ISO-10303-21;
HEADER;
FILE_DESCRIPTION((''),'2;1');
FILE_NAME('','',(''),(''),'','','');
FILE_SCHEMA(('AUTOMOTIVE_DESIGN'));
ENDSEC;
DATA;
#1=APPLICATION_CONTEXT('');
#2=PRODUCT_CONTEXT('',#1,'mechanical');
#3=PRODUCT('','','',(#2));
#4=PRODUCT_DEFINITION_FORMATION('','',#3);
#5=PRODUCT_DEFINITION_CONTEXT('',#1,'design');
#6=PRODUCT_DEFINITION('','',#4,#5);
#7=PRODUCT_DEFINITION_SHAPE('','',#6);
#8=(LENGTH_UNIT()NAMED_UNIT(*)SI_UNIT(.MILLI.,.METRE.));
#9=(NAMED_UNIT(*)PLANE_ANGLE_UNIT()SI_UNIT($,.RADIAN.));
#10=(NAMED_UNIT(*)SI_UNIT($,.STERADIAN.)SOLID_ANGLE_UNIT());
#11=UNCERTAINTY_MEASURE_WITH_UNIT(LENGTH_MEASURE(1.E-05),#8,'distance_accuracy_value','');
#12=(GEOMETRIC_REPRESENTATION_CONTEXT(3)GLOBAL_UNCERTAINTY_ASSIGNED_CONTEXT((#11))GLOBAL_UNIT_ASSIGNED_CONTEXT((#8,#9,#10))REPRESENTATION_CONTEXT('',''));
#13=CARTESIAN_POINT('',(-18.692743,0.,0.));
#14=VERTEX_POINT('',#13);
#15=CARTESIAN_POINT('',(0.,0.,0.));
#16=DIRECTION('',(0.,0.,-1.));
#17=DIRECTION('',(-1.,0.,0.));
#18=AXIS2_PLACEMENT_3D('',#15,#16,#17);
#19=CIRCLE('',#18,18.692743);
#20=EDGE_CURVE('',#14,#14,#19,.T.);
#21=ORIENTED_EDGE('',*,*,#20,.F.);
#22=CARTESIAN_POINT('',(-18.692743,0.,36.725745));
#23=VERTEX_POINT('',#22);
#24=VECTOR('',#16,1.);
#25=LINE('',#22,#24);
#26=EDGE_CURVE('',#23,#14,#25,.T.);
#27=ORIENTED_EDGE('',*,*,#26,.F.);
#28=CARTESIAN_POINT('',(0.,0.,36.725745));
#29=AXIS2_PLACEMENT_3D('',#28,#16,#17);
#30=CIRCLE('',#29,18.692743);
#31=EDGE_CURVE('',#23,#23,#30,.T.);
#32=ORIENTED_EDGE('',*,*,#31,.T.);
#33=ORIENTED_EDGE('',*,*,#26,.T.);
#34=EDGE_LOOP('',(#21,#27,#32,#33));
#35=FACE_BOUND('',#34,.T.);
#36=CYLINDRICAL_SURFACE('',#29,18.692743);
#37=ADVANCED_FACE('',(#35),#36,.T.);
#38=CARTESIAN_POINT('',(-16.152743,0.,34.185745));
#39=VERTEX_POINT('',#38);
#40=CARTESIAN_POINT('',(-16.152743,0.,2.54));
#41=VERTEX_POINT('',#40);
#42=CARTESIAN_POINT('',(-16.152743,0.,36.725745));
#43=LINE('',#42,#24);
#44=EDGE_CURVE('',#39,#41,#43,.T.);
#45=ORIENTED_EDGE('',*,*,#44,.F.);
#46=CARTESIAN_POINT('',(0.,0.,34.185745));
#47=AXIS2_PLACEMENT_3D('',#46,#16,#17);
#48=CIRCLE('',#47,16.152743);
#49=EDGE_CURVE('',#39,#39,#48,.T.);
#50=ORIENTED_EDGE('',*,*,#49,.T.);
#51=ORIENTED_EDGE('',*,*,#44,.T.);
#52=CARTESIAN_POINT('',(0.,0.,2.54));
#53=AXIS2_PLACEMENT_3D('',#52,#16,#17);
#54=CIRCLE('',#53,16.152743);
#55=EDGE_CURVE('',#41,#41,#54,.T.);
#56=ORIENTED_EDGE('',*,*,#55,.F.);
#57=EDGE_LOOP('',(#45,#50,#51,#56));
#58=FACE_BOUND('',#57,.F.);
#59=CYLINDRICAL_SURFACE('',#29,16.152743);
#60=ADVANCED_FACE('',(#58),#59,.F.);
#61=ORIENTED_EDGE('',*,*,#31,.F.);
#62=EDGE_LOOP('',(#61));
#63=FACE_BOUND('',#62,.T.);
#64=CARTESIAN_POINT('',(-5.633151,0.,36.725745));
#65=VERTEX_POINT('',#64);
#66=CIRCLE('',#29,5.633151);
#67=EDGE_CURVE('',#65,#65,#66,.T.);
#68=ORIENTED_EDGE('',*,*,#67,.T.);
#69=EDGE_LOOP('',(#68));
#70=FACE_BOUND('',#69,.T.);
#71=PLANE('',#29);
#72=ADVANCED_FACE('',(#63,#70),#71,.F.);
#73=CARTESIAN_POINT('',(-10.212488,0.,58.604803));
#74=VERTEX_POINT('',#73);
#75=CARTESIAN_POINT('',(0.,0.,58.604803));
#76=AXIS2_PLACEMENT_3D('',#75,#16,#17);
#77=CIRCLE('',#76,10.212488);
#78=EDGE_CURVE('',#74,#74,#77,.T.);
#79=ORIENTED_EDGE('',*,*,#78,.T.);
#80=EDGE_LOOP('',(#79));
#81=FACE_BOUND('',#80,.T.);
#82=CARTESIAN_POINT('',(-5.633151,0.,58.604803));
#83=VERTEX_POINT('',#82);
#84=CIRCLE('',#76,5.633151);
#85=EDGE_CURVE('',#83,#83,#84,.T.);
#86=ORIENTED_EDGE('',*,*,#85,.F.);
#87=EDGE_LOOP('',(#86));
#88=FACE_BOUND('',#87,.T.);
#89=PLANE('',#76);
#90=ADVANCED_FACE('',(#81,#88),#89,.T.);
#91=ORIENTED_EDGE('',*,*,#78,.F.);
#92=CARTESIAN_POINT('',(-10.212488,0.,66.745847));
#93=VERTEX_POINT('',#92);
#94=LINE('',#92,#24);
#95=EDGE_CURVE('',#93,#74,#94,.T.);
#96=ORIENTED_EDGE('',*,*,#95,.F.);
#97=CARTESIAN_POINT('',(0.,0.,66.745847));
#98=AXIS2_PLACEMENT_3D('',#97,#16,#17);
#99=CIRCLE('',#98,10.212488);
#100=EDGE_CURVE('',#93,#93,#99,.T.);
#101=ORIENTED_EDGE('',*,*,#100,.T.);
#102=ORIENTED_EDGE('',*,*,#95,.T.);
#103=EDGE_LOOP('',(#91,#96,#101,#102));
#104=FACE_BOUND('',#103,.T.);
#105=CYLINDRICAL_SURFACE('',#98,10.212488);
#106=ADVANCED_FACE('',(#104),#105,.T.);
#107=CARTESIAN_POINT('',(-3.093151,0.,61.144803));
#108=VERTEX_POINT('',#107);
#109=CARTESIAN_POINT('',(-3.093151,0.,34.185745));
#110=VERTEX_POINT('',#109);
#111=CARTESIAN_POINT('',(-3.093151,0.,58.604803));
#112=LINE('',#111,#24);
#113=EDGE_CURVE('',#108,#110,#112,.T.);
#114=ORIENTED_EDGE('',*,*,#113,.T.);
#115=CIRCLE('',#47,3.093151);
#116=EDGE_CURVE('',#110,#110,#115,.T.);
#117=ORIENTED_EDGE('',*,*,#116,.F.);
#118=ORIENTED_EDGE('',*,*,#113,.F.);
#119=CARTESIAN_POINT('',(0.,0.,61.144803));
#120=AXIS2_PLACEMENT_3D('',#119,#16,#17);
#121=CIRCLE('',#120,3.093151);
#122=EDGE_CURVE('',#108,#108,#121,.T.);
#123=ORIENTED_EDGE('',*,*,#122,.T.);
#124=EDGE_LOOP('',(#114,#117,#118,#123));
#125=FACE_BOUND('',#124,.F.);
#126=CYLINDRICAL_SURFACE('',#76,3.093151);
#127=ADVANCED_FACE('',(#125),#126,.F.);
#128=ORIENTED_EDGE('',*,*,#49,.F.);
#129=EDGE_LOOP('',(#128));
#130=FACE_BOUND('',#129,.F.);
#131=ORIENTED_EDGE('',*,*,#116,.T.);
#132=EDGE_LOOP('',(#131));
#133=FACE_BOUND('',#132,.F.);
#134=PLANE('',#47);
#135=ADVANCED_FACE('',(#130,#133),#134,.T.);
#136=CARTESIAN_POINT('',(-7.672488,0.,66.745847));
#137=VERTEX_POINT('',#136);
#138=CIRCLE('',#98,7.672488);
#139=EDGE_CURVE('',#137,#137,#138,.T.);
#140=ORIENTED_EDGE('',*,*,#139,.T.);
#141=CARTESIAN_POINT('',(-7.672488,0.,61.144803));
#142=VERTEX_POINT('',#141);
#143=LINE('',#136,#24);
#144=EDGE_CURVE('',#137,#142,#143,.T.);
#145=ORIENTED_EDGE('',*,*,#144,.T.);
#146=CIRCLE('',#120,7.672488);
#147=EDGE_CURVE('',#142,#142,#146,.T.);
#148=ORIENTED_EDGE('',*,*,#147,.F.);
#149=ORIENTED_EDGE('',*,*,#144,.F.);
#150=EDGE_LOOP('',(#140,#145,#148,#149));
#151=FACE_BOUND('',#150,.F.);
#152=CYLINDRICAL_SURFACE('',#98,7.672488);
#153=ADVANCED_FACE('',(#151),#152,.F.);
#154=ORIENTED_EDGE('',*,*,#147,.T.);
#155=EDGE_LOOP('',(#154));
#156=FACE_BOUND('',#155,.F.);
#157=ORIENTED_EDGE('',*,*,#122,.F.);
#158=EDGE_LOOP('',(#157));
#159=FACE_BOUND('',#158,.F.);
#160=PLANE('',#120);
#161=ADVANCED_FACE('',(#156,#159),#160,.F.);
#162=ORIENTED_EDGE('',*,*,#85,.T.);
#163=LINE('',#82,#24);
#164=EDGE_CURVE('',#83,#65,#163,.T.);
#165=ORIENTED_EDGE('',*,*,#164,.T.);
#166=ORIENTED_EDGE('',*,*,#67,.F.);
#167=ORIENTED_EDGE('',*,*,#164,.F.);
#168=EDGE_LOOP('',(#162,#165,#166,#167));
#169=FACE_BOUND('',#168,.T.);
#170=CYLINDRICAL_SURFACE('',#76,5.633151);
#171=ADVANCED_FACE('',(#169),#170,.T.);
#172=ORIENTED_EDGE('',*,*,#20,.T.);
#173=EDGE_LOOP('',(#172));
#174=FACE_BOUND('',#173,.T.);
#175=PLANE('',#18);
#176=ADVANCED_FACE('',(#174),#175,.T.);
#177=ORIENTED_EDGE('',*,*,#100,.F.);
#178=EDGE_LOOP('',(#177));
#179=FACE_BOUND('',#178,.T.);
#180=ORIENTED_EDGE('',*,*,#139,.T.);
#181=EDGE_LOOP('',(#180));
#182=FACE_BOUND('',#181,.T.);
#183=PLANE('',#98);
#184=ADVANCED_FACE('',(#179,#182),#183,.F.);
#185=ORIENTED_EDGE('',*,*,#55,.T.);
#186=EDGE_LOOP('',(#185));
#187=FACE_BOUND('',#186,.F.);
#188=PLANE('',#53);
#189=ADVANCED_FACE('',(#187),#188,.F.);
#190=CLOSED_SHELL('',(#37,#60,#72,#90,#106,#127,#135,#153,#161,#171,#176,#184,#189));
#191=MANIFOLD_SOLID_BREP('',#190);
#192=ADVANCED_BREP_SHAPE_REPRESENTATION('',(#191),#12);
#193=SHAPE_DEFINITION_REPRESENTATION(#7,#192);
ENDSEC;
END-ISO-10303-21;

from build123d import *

# Parameters (mm, degrees)
F2_T = -2.54


with BuildPart() as f1:
    # F0 (on Front) → F1 (revolve)
    with BuildSketch(Plane.XZ):
        Polygon((0, 0), (0, 66.7458474636), (-10.2124884725, 66.7458474636), (-10.2124884725, 58.6048029363), (-5.633150693, 58.6048029363), (-5.633150693, 36.7257446051), (-18.6927430332, 36.7257446051), (-18.6927430332, 0), align=None)
    revolve(axis=Axis((0, 0, 33.3729237318), (0, 0, -1)))

    # F2
    f2_openings = [f1.faces().sort_by_distance(p)[0] for p in [
        (0, 0, 66.745847),
    ]]
    offset(amount=F2_T, openings=f2_openings, kind=Kind.INTERSECTION)


solid = f1.part
